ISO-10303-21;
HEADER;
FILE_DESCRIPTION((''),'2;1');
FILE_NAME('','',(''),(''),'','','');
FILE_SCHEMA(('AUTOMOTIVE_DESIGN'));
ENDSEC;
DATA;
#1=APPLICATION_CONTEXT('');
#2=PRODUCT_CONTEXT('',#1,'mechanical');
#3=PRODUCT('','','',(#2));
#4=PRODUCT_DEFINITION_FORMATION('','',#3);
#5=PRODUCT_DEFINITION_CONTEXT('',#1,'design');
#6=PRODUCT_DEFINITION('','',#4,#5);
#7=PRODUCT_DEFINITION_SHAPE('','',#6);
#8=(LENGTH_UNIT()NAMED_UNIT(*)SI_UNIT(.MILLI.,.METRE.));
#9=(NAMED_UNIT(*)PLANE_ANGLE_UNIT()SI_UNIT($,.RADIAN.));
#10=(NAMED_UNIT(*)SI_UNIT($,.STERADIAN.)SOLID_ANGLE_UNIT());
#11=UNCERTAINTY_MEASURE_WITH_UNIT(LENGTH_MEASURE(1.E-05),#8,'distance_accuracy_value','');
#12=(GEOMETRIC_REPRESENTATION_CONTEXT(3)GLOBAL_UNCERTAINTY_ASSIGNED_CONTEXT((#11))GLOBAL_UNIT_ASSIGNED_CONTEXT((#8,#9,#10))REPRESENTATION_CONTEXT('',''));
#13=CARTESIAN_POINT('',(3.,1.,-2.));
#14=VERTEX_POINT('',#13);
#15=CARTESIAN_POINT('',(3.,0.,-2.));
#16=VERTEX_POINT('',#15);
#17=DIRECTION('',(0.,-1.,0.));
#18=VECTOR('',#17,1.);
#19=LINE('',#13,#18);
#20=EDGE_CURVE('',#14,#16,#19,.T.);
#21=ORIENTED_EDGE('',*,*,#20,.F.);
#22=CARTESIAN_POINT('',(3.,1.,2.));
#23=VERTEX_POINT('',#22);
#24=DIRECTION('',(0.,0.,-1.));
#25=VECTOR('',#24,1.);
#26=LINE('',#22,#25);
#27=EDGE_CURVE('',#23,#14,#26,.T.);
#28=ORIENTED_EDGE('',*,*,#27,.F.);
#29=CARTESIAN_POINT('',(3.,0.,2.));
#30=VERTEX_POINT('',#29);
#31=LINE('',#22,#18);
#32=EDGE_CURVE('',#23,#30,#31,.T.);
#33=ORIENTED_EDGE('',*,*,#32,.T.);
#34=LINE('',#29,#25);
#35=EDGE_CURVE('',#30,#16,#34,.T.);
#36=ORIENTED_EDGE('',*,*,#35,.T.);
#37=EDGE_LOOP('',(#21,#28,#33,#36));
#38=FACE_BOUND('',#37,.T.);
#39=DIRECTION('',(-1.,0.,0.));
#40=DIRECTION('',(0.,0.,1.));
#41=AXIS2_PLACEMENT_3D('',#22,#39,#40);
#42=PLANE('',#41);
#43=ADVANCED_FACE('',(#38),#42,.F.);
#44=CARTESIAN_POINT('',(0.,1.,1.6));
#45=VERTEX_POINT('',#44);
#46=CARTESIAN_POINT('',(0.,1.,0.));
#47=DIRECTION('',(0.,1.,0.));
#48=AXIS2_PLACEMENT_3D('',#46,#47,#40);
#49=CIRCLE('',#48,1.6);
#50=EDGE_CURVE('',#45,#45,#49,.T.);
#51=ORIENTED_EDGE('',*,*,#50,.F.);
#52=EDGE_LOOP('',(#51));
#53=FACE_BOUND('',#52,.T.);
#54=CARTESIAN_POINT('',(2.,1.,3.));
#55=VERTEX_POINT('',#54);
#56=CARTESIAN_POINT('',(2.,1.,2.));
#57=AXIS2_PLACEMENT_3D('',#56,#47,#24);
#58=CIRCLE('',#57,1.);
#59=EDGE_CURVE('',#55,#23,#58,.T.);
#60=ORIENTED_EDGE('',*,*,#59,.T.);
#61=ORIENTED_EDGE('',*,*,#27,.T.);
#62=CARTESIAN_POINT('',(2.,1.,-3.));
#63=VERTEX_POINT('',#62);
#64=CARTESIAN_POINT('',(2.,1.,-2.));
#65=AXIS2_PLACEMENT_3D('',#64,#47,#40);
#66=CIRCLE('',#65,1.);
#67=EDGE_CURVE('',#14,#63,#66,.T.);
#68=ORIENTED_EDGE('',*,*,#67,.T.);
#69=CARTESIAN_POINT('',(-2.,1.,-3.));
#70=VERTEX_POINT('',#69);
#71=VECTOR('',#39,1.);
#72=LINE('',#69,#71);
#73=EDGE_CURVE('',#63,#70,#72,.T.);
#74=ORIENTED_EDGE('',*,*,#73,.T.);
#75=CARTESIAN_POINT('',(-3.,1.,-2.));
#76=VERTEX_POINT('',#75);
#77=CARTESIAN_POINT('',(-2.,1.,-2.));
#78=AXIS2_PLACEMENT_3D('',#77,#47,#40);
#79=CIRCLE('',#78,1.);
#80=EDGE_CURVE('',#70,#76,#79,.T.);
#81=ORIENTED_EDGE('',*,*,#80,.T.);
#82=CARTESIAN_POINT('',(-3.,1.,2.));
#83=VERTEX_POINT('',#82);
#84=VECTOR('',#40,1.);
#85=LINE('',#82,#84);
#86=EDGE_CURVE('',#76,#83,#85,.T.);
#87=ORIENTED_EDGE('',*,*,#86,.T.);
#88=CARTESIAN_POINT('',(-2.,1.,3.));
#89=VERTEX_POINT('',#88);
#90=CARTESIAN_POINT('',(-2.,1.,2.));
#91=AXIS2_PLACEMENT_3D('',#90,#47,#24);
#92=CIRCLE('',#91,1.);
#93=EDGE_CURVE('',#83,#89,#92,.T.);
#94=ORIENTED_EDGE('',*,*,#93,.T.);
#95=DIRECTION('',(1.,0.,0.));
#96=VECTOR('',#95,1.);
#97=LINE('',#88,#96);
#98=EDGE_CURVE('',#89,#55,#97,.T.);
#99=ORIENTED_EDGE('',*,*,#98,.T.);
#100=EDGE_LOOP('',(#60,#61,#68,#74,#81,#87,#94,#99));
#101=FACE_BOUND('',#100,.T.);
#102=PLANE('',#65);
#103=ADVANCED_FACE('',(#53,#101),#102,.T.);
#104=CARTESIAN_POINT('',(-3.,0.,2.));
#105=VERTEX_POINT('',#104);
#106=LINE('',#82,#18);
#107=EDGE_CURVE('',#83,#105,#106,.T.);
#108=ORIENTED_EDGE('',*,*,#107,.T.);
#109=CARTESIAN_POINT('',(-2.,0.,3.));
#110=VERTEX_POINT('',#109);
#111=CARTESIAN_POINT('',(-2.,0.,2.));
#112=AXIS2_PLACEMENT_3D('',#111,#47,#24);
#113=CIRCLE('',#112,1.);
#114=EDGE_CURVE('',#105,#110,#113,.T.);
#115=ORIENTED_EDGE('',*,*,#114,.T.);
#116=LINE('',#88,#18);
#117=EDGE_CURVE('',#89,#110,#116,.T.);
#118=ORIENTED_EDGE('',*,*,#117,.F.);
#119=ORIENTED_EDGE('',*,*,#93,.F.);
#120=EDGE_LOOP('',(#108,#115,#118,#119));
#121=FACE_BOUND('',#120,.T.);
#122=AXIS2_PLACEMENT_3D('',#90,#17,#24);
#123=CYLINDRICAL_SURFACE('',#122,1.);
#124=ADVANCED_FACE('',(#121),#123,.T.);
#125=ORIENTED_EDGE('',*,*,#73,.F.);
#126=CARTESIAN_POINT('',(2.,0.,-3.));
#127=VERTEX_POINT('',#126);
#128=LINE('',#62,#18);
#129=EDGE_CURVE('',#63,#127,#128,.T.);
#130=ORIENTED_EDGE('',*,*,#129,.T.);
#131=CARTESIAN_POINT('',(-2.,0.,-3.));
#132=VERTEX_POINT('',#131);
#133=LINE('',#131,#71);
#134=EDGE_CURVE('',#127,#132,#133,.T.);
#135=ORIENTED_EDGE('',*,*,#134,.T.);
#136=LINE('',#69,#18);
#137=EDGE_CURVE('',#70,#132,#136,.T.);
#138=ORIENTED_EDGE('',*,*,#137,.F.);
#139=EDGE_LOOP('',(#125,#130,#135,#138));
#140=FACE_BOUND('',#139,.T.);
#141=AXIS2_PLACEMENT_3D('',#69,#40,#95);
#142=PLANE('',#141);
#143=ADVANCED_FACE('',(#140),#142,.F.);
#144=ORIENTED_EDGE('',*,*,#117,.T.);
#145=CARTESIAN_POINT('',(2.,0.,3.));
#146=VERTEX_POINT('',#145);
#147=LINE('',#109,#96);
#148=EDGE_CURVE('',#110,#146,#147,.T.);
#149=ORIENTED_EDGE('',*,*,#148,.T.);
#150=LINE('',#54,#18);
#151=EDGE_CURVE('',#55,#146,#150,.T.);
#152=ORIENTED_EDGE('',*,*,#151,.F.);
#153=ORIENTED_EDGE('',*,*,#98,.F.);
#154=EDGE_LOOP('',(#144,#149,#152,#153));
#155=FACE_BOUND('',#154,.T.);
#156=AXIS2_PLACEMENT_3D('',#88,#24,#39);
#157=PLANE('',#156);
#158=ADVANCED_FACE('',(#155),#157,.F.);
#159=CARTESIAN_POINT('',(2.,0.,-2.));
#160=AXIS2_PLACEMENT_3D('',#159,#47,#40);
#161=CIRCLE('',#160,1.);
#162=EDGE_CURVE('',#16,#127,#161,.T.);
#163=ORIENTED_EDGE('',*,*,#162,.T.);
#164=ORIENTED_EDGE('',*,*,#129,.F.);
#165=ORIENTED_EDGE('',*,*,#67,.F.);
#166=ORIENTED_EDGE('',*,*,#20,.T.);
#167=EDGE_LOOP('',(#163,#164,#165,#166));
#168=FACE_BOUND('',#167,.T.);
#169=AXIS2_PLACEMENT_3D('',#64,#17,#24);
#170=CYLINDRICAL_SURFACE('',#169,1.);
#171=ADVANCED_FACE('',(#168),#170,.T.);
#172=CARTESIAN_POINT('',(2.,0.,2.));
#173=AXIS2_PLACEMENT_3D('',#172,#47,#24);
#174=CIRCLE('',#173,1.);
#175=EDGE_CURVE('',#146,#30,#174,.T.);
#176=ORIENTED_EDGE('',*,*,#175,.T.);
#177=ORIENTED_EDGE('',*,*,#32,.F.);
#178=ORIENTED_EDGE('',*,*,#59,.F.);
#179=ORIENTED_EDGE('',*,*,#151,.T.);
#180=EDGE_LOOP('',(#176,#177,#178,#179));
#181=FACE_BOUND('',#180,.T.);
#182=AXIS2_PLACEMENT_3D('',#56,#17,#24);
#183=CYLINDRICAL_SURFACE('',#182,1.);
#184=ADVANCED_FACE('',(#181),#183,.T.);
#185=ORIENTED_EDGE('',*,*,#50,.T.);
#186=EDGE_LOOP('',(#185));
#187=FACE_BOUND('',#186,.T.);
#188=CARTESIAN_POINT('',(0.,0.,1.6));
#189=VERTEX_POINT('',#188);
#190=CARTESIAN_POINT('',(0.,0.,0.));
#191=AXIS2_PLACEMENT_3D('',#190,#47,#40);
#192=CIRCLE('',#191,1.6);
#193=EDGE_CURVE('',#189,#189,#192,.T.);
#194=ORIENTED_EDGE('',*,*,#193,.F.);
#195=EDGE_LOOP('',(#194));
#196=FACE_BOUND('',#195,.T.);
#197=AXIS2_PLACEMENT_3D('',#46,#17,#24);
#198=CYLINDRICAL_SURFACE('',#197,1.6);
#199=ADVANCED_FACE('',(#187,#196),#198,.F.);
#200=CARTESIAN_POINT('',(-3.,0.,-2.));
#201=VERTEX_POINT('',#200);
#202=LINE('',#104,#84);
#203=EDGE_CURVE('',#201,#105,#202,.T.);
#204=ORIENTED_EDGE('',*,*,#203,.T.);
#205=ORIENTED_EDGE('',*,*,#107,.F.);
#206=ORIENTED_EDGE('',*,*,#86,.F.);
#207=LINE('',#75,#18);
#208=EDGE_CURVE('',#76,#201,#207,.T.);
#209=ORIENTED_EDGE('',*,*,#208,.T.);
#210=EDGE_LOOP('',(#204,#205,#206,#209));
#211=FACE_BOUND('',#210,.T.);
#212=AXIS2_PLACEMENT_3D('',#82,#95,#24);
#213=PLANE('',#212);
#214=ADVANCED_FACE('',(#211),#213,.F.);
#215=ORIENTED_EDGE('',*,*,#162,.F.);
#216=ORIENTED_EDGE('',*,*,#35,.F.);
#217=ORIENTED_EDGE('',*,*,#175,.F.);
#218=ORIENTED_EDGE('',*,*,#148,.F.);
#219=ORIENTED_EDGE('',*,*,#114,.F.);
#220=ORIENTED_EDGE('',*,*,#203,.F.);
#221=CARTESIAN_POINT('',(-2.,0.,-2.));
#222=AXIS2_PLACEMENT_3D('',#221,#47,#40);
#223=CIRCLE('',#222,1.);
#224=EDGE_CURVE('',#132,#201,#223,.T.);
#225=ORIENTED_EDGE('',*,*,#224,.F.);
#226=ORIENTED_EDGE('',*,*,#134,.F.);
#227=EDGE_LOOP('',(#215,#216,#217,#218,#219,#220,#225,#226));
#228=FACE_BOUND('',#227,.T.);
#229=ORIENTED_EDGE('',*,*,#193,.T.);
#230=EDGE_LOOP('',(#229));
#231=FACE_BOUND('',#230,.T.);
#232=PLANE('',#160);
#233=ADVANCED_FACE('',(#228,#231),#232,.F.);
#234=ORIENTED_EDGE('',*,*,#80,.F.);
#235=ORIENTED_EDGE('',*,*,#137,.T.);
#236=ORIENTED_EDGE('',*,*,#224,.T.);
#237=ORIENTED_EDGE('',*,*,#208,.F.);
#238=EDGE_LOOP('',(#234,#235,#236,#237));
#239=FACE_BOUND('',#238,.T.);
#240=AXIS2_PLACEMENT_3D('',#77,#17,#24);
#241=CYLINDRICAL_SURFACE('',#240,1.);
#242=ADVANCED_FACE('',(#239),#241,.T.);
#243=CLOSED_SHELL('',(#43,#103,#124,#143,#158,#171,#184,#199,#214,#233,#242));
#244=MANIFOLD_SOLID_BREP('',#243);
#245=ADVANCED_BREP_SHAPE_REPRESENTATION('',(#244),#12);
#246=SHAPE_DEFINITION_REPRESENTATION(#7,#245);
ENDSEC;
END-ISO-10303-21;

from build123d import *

# Parameters (mm, degrees)
ESBO_O1_R                = 1.6
RESSALTO_EXTRUS_O1_DEPTH = 1


with BuildPart() as part:
    # Esboço1 → Ressalto-extrusão1 (new body)
    with BuildSketch(Plane(origin=(0, 0, 0), x_dir=(1, 0, 0), z_dir=(0, 1, 0))):
        with BuildLine():
            Line((-2, -3), (2, -3))
            ThreePointArc((2, -3), (2.707106781, -2.707106781), (3, -2))
            Line((3, -2), (3, 2))
            ThreePointArc((3, 2), (2.707106781, 2.707106781), (2, 3))
            Line((2, 3), (-2, 3))
            ThreePointArc((-2, 3), (-2.707106781, 2.707106781), (-3, 2))
            Line((-3, 2), (-3, -2))
            ThreePointArc((-3, -2), (-2.707106781, -2.707106781), (-2, -3))
        make_face()
        with Locations(Location((0, 0, 0), (0, 0, 270))):
            Circle(ESBO_O1_R, mode=Mode.SUBTRACT)
    extrude(amount=RESSALTO_EXTRUS_O1_DEPTH)


solid = part.part
